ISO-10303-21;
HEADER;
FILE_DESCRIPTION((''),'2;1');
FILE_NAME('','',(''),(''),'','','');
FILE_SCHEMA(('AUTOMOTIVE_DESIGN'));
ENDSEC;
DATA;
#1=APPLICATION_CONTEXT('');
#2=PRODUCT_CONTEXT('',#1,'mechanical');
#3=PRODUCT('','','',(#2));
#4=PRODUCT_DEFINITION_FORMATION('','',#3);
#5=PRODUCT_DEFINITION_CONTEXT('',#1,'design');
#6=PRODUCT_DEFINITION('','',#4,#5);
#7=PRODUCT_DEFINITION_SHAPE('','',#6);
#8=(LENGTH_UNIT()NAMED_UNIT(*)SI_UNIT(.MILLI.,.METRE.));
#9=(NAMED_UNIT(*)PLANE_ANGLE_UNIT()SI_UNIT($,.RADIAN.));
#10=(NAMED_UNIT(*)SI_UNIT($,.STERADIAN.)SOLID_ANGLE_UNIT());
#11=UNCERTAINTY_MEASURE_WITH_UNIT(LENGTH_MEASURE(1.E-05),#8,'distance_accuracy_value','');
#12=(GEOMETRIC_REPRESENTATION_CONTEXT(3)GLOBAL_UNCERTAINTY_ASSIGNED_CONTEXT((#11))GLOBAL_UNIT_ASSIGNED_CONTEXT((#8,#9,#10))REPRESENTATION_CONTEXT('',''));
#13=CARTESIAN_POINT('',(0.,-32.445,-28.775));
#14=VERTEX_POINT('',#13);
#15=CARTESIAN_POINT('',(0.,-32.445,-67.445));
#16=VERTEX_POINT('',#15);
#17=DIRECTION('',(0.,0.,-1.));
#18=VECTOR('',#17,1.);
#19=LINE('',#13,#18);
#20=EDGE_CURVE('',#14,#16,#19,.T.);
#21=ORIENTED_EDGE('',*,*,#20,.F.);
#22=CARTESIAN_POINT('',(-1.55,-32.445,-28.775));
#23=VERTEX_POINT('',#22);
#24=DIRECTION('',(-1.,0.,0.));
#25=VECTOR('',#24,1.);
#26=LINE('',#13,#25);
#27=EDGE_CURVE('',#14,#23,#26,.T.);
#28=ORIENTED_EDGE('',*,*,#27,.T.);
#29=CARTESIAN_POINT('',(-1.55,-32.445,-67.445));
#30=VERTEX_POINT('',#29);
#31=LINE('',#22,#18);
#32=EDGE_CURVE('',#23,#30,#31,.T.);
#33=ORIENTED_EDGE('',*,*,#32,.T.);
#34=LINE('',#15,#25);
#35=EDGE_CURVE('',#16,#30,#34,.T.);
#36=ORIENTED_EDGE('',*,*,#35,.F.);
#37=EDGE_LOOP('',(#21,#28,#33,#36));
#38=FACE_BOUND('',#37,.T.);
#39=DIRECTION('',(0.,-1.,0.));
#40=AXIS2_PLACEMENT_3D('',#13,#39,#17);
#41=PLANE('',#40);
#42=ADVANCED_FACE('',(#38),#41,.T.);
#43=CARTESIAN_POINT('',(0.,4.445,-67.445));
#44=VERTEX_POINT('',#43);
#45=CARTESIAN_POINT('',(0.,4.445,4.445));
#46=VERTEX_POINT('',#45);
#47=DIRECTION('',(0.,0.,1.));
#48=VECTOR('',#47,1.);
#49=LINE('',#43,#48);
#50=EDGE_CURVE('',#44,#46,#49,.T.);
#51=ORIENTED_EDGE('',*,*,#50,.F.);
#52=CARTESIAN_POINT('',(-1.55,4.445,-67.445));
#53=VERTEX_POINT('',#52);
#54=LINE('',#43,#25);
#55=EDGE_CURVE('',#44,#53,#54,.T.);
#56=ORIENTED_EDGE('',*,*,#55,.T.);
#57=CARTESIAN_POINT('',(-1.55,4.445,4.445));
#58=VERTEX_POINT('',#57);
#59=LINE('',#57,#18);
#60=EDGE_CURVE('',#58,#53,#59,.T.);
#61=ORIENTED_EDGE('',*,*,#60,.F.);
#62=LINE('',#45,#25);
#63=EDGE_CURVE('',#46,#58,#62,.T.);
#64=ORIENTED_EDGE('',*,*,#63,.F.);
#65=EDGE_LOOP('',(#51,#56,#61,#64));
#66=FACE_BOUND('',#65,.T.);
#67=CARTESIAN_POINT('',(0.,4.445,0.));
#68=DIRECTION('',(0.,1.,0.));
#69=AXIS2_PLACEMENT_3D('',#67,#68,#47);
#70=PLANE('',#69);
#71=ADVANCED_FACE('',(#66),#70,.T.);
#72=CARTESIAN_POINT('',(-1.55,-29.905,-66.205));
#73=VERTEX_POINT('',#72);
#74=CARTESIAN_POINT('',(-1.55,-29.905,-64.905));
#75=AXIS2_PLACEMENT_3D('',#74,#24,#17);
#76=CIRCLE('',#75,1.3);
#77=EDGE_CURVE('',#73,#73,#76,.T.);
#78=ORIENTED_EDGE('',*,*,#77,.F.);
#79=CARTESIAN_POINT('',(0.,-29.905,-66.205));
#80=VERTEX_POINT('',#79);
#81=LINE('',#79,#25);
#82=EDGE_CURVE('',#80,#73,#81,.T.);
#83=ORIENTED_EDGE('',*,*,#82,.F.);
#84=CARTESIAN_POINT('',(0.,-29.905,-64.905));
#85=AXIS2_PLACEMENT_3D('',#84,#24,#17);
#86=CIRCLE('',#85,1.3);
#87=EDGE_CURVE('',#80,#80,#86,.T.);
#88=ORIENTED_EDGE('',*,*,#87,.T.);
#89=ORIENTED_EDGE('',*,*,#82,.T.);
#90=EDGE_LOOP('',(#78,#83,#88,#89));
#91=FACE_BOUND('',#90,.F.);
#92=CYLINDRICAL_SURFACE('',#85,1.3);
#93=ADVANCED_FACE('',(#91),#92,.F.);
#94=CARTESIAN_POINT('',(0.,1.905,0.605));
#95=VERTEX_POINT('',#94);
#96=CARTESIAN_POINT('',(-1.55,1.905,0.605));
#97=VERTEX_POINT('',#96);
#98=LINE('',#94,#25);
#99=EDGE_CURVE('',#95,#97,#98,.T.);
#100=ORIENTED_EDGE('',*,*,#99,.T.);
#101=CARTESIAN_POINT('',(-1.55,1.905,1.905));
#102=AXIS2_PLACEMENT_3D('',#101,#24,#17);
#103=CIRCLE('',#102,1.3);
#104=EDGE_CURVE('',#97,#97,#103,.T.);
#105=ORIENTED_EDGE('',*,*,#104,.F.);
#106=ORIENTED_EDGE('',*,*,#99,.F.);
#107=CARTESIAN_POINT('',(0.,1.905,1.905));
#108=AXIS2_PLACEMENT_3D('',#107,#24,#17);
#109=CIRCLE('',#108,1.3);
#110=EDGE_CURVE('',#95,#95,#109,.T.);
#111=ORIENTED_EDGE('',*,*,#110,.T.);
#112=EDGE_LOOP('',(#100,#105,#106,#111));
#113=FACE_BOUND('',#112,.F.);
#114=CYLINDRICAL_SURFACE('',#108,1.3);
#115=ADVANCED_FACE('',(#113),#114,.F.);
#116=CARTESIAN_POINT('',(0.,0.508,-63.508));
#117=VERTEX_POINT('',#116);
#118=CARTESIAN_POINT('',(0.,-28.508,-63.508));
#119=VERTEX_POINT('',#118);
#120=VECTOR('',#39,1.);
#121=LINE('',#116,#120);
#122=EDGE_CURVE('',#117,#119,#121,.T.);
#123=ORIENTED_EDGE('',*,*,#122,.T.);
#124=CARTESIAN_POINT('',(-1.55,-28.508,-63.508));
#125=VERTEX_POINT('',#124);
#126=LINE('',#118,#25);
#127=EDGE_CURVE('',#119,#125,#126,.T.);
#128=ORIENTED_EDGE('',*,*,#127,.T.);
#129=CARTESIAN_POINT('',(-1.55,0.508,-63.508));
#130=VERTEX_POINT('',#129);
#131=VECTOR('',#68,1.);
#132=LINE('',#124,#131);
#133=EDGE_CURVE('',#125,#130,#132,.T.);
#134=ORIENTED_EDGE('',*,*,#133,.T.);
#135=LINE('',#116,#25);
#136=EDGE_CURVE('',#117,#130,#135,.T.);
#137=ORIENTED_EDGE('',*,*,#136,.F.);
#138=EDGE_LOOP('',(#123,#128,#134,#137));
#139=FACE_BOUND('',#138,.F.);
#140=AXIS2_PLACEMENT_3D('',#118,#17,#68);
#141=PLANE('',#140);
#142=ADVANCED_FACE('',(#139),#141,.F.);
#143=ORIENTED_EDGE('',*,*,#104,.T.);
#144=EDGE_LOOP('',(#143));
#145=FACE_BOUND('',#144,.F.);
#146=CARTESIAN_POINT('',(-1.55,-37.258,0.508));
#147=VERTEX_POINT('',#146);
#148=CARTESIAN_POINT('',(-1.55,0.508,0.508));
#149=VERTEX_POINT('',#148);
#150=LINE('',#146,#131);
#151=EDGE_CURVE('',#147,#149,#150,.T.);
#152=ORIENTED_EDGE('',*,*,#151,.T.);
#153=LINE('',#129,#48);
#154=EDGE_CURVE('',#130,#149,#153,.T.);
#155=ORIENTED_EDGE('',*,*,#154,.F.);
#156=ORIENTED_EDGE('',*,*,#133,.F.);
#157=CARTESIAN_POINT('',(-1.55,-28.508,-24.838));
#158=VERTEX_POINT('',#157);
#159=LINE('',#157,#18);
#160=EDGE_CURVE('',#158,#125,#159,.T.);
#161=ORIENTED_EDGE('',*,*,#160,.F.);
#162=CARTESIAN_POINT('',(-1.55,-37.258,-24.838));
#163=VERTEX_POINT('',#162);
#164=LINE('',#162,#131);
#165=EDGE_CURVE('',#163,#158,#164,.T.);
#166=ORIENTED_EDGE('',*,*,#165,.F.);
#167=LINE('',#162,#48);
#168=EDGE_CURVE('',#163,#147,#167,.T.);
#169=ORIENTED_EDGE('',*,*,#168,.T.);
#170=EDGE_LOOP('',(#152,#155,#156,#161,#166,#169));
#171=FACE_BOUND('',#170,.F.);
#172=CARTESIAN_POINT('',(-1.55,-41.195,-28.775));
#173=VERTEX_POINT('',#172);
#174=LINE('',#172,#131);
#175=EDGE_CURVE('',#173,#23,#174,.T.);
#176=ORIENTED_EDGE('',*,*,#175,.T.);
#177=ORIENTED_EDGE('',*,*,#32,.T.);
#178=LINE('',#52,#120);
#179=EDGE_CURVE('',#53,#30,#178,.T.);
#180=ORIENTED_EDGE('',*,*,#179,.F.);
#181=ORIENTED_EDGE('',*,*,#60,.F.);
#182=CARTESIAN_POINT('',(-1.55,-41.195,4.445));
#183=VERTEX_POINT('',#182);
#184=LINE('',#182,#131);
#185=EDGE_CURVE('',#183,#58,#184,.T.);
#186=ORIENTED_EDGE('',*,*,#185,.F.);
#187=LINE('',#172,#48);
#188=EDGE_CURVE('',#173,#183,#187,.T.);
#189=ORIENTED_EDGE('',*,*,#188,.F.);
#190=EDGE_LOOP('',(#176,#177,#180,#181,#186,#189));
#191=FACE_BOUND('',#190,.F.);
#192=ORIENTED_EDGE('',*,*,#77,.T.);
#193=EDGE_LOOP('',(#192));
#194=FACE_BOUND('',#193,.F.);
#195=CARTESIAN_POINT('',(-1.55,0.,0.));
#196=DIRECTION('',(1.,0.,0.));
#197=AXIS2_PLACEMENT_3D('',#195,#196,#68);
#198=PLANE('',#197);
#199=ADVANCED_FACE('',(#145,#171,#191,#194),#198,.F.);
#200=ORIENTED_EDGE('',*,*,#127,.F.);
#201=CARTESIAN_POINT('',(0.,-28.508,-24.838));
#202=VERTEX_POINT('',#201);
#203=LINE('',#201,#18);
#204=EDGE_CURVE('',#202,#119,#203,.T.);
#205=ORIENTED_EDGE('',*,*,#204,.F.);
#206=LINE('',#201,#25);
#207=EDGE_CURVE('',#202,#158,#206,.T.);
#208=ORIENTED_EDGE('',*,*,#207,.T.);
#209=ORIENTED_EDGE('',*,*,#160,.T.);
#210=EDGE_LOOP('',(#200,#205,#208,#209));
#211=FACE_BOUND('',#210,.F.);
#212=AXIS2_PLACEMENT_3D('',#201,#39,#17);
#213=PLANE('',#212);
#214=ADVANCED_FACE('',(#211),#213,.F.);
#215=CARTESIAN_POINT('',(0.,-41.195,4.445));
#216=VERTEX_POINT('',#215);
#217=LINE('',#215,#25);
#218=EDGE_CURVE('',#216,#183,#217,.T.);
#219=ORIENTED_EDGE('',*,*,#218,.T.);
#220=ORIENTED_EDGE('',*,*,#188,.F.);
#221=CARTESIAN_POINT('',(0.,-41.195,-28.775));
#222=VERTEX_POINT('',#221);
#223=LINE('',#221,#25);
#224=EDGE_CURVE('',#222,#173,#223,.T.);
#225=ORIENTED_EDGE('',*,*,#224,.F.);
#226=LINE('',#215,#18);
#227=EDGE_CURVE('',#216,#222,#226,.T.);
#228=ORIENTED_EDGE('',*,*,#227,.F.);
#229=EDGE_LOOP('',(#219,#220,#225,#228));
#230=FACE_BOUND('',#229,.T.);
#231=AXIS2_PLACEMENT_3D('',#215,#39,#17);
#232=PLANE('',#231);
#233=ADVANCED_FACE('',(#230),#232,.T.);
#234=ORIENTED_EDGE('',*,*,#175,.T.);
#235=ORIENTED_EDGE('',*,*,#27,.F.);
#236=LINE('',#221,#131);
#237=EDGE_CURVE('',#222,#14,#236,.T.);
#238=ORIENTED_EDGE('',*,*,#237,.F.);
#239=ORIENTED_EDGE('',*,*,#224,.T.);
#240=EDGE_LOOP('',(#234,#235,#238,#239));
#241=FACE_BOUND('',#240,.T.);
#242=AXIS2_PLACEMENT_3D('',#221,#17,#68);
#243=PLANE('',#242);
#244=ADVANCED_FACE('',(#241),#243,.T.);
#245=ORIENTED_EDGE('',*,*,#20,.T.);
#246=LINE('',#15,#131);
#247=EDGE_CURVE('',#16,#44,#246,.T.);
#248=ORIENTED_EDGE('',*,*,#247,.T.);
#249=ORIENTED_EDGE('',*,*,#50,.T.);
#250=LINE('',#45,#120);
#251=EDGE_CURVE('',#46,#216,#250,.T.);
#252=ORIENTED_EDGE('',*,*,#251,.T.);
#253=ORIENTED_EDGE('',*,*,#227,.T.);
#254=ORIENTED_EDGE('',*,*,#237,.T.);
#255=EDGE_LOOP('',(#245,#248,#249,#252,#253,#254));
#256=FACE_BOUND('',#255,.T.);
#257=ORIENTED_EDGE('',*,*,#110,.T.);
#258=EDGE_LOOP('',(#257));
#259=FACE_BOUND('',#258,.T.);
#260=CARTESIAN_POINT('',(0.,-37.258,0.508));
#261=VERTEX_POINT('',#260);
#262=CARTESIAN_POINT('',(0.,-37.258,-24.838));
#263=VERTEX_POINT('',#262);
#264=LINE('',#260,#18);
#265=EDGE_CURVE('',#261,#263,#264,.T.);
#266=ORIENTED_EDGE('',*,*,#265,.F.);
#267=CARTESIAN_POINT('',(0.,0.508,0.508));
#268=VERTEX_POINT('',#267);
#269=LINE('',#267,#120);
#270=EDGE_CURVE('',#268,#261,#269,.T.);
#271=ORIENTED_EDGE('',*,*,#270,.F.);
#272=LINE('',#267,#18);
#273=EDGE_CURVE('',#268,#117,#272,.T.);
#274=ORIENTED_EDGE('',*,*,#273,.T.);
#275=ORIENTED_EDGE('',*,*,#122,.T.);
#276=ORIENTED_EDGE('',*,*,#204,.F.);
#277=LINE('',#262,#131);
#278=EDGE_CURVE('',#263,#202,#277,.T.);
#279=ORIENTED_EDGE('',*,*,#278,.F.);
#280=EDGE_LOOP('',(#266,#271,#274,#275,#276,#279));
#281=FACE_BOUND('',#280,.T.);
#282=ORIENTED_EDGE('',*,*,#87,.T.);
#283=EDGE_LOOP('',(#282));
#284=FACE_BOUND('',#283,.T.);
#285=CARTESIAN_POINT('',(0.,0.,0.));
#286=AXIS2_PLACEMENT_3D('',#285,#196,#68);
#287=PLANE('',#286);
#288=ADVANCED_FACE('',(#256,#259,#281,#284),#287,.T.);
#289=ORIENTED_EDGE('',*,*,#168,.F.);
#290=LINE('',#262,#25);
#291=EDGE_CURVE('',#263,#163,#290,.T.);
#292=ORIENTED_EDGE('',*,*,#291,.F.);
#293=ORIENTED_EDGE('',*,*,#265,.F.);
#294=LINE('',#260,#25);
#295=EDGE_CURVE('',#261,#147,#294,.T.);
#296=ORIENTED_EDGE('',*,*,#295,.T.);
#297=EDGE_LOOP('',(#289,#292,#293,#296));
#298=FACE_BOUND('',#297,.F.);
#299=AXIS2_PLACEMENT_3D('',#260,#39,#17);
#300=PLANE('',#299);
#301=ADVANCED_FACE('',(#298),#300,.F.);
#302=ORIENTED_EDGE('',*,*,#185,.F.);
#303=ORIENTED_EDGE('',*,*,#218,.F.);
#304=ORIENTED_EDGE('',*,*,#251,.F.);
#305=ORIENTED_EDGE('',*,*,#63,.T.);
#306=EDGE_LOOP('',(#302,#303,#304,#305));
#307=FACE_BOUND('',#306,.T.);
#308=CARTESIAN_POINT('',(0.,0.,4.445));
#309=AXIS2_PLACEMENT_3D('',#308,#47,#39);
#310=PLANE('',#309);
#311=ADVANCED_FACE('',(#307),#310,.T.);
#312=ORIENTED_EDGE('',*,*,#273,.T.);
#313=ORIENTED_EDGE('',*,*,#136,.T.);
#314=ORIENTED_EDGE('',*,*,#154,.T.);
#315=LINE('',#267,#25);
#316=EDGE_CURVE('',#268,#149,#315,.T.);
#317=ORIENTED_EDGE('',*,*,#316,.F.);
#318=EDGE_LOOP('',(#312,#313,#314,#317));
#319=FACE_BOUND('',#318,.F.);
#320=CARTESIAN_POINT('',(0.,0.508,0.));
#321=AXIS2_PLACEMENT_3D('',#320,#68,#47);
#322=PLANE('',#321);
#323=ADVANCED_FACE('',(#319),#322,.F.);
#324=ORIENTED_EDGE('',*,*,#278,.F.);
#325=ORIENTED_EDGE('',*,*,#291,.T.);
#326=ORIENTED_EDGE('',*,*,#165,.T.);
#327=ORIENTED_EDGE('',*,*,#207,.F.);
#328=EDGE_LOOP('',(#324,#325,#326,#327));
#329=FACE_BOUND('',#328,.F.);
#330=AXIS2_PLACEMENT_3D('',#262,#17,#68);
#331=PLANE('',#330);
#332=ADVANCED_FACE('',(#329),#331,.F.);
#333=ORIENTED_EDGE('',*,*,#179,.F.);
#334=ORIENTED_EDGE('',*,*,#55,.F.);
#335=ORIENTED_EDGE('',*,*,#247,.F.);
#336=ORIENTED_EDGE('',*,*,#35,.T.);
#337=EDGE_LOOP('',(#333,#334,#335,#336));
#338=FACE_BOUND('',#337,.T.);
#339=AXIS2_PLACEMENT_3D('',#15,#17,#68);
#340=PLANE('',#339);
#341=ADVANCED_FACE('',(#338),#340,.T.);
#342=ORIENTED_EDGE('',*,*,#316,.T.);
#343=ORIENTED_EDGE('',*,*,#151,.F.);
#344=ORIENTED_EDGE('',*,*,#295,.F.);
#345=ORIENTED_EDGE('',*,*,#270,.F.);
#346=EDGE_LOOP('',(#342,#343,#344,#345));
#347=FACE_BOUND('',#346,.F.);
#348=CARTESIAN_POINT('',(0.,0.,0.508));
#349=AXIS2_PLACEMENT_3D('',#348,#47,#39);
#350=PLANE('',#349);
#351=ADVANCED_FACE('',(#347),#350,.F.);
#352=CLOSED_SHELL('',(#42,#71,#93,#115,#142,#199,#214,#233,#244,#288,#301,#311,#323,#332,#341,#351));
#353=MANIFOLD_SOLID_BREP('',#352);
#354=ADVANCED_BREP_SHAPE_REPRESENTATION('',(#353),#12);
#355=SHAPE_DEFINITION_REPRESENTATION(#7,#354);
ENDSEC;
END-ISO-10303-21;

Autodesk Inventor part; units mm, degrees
ref_plane "YZ Plane" through (0, 0, 0) normal (1, 0, 0) x (0, 1, 0)
ref_plane "XZ Plane" through (0, 0, 0) normal (0, 1, 0) x (-1, 0, 0)
ref_plane "XY Plane" through (0, 0, 0) normal (0, 0, 1) x (1, 0, 0)
sketch "Sketch1" plane through (0, 0, 0) normal (1, 0, 0) x (0, 1, 0)
  line L0 (0, 18.823) -> (0, -81.823) projected
  line L1 (-50.323, 0) -> (13.573, 0) projected
  line L2 (0, 0) -> (0, -63)
  line L3 (0, -63) -> (-28, -63)
  line L4 (-28, -63) -> (-28, -24.33)
  line L5 (-28, -24.33) -> (-36.75, -24.33)
  line L6 (-36.75, -24.33) -> (-36.75, 0)
  line L7 (-36.75, 0) -> (0, 0)
  circle A0 centre (-16, -42.5) radius 1.575 construction
  line L8 (-35.988, -0.762) -> (-35.988, -23.568)
  line L9 (-35.988, -23.568) -> (-27.238, -23.568)
  line L10 (-27.238, -23.568) -> (-27.238, -62.238)
  line L11 (-27.238, -62.238) -> (-0.762, -62.238)
  line L12 (-0.762, -62.238) -> (-0.762, -0.762)
  line L13 (-0.762, -0.762) -> (-35.988, -0.762)
  line L14 (-41.195, 4.445) -> (-41.195, -28.775)
  line L15 (-41.195, -28.775) -> (-32.445, -28.775)
  line L16 (-32.445, -28.775) -> (-32.445, -67.445)
  line L17 (-32.445, -67.445) -> (4.445, -67.445)
  line L18 (4.445, -67.445) -> (4.445, 4.445)
  line L19 (4.445, 4.445) -> (-41.195, 4.445)
  line L20 (1.905, 1.905) -> (-29.905, 1.905) construction
  line L21 (-29.905, 1.905) -> (-29.905, -64.905) construction
  line L22 (-29.905, -64.905) -> (1.905, -64.905) construction
  line L23 (1.905, -64.905) -> (1.905, 1.905) construction
  line L24 (0.508, -63.508) -> (0.508, 0.508)
  line L25 (0.508, 0.508) -> (-37.258, 0.508)
  line L26 (-37.258, 0.508) -> (-37.258, -24.838)
  line L27 (-37.258, -24.838) -> (-28.508, -24.838)
  line L28 (-28.508, -24.838) -> (-28.508, -63.508)
  line L29 (-28.508, -63.508) -> (0.508, -63.508)
  dimension "d0" = 63
  dimension "d1" = 28
  dimension "d2" = 36.75
  dimension "d3" = 24.33
  dimension "d4" = 42.5
  dimension "d5" = 16
  dimension "d6" = 3.15
  dimension "d16" = 0.762
  dimension "d17" = 4.445
  dimension "d18" = 2.54
  dimension "d19" = 2.54
  dimension "d20" = 2.54
  dimension "d21" = 2.54
  dimension "d29" = 0.508
extrude "Extrusion1" add sketch "Sketch1" against normal blind 1.55 contours L25 L26 L1 L14 L19 L0 | L0 L19 L18 L1 L24 L25 | L1 L18 L17 L0 L29 L24 | L0 L17 L16 L15 L14 L1 L26 L27 L28 L29
hole "Hole1" at (0, -16, -42.5) direction (-1, 0, 0) diameter 3.15 end through all
hole "Hole2" at (0, 1.905, 1.905) at (0, -29.905, -64.905) direction (-1, 0, 0) diameter 2.6 end through all
equation "\"d20\" = d18"
equation "\"d21\" = d18"
properties part number "J010360" material "ACRYLIC, BLACK"
